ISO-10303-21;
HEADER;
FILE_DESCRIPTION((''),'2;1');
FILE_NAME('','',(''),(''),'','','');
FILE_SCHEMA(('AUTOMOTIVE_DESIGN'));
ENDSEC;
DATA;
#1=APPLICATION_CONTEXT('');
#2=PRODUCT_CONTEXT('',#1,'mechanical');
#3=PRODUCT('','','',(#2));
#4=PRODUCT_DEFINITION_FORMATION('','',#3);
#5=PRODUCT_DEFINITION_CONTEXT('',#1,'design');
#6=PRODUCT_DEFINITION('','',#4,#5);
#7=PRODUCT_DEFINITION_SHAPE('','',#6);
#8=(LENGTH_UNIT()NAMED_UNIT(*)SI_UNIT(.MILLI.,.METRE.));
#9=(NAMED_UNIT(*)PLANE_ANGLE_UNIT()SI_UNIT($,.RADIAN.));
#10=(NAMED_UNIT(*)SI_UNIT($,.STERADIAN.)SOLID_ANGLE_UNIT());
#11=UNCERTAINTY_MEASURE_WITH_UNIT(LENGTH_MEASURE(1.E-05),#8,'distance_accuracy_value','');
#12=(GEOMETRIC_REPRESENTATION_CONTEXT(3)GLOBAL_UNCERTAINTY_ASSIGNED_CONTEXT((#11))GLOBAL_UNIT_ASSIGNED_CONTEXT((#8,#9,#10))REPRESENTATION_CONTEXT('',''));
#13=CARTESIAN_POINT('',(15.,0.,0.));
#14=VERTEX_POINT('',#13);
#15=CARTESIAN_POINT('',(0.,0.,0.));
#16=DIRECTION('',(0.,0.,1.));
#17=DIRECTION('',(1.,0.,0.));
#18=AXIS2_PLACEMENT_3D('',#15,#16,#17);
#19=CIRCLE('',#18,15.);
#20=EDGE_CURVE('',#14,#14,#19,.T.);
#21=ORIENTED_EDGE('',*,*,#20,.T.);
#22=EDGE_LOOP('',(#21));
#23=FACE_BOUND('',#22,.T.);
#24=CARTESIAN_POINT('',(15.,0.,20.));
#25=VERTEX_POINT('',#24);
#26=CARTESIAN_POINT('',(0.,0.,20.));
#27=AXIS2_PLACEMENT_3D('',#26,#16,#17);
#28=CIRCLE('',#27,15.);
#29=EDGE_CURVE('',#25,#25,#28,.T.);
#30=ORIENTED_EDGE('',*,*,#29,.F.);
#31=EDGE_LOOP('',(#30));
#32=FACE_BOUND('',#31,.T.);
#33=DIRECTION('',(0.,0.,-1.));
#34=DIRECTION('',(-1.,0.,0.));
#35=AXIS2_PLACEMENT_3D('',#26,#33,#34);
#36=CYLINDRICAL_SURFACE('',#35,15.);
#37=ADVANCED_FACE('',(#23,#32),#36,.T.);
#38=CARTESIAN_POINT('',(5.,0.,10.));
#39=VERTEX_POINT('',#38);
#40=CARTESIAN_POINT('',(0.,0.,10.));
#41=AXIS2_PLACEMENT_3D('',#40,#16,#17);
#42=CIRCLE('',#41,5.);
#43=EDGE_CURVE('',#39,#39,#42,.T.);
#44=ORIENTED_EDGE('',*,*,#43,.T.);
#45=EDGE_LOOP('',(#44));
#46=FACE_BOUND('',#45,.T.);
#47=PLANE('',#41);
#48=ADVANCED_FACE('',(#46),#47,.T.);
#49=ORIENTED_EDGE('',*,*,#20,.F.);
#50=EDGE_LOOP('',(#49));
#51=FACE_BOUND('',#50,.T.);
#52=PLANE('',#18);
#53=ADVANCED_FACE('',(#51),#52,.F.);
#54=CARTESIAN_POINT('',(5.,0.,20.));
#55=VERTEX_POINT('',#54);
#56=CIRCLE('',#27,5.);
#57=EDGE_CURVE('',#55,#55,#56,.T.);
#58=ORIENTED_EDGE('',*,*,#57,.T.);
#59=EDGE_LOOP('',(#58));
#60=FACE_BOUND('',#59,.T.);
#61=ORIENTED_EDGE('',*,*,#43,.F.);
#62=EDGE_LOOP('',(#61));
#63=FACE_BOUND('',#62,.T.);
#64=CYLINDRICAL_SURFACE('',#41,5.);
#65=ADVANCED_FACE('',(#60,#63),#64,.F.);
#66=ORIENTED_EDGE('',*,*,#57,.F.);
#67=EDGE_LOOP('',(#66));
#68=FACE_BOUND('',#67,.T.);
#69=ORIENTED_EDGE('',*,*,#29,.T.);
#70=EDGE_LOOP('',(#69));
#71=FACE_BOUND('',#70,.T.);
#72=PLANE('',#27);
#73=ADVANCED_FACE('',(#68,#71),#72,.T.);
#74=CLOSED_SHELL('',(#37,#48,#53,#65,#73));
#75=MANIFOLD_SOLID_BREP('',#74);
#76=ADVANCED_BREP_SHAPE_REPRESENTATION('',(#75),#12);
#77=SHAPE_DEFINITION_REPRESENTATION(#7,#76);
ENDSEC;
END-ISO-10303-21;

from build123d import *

# Parameters (mm, degrees)
SKETCH1_R           = 15
BOSS_EXTRUDE1_DEPTH = 20
SKETCH2_R           = 5
CUT_EXTRUDE1_DEPTH  = 10


with BuildPart() as part:
    # Sketch1 → Boss-Extrude1 (new body)
    with BuildSketch(Plane.XY):
        Circle(SKETCH1_R)
    extrude(amount=BOSS_EXTRUDE1_DEPTH)

    # Sketch2 → Cut-Extrude1 (cut)
    with BuildSketch(Plane.XY.offset(20)):
        Circle(SKETCH2_R)
    extrude(amount=-CUT_EXTRUDE1_DEPTH, mode=Mode.SUBTRACT)


solid = part.part
